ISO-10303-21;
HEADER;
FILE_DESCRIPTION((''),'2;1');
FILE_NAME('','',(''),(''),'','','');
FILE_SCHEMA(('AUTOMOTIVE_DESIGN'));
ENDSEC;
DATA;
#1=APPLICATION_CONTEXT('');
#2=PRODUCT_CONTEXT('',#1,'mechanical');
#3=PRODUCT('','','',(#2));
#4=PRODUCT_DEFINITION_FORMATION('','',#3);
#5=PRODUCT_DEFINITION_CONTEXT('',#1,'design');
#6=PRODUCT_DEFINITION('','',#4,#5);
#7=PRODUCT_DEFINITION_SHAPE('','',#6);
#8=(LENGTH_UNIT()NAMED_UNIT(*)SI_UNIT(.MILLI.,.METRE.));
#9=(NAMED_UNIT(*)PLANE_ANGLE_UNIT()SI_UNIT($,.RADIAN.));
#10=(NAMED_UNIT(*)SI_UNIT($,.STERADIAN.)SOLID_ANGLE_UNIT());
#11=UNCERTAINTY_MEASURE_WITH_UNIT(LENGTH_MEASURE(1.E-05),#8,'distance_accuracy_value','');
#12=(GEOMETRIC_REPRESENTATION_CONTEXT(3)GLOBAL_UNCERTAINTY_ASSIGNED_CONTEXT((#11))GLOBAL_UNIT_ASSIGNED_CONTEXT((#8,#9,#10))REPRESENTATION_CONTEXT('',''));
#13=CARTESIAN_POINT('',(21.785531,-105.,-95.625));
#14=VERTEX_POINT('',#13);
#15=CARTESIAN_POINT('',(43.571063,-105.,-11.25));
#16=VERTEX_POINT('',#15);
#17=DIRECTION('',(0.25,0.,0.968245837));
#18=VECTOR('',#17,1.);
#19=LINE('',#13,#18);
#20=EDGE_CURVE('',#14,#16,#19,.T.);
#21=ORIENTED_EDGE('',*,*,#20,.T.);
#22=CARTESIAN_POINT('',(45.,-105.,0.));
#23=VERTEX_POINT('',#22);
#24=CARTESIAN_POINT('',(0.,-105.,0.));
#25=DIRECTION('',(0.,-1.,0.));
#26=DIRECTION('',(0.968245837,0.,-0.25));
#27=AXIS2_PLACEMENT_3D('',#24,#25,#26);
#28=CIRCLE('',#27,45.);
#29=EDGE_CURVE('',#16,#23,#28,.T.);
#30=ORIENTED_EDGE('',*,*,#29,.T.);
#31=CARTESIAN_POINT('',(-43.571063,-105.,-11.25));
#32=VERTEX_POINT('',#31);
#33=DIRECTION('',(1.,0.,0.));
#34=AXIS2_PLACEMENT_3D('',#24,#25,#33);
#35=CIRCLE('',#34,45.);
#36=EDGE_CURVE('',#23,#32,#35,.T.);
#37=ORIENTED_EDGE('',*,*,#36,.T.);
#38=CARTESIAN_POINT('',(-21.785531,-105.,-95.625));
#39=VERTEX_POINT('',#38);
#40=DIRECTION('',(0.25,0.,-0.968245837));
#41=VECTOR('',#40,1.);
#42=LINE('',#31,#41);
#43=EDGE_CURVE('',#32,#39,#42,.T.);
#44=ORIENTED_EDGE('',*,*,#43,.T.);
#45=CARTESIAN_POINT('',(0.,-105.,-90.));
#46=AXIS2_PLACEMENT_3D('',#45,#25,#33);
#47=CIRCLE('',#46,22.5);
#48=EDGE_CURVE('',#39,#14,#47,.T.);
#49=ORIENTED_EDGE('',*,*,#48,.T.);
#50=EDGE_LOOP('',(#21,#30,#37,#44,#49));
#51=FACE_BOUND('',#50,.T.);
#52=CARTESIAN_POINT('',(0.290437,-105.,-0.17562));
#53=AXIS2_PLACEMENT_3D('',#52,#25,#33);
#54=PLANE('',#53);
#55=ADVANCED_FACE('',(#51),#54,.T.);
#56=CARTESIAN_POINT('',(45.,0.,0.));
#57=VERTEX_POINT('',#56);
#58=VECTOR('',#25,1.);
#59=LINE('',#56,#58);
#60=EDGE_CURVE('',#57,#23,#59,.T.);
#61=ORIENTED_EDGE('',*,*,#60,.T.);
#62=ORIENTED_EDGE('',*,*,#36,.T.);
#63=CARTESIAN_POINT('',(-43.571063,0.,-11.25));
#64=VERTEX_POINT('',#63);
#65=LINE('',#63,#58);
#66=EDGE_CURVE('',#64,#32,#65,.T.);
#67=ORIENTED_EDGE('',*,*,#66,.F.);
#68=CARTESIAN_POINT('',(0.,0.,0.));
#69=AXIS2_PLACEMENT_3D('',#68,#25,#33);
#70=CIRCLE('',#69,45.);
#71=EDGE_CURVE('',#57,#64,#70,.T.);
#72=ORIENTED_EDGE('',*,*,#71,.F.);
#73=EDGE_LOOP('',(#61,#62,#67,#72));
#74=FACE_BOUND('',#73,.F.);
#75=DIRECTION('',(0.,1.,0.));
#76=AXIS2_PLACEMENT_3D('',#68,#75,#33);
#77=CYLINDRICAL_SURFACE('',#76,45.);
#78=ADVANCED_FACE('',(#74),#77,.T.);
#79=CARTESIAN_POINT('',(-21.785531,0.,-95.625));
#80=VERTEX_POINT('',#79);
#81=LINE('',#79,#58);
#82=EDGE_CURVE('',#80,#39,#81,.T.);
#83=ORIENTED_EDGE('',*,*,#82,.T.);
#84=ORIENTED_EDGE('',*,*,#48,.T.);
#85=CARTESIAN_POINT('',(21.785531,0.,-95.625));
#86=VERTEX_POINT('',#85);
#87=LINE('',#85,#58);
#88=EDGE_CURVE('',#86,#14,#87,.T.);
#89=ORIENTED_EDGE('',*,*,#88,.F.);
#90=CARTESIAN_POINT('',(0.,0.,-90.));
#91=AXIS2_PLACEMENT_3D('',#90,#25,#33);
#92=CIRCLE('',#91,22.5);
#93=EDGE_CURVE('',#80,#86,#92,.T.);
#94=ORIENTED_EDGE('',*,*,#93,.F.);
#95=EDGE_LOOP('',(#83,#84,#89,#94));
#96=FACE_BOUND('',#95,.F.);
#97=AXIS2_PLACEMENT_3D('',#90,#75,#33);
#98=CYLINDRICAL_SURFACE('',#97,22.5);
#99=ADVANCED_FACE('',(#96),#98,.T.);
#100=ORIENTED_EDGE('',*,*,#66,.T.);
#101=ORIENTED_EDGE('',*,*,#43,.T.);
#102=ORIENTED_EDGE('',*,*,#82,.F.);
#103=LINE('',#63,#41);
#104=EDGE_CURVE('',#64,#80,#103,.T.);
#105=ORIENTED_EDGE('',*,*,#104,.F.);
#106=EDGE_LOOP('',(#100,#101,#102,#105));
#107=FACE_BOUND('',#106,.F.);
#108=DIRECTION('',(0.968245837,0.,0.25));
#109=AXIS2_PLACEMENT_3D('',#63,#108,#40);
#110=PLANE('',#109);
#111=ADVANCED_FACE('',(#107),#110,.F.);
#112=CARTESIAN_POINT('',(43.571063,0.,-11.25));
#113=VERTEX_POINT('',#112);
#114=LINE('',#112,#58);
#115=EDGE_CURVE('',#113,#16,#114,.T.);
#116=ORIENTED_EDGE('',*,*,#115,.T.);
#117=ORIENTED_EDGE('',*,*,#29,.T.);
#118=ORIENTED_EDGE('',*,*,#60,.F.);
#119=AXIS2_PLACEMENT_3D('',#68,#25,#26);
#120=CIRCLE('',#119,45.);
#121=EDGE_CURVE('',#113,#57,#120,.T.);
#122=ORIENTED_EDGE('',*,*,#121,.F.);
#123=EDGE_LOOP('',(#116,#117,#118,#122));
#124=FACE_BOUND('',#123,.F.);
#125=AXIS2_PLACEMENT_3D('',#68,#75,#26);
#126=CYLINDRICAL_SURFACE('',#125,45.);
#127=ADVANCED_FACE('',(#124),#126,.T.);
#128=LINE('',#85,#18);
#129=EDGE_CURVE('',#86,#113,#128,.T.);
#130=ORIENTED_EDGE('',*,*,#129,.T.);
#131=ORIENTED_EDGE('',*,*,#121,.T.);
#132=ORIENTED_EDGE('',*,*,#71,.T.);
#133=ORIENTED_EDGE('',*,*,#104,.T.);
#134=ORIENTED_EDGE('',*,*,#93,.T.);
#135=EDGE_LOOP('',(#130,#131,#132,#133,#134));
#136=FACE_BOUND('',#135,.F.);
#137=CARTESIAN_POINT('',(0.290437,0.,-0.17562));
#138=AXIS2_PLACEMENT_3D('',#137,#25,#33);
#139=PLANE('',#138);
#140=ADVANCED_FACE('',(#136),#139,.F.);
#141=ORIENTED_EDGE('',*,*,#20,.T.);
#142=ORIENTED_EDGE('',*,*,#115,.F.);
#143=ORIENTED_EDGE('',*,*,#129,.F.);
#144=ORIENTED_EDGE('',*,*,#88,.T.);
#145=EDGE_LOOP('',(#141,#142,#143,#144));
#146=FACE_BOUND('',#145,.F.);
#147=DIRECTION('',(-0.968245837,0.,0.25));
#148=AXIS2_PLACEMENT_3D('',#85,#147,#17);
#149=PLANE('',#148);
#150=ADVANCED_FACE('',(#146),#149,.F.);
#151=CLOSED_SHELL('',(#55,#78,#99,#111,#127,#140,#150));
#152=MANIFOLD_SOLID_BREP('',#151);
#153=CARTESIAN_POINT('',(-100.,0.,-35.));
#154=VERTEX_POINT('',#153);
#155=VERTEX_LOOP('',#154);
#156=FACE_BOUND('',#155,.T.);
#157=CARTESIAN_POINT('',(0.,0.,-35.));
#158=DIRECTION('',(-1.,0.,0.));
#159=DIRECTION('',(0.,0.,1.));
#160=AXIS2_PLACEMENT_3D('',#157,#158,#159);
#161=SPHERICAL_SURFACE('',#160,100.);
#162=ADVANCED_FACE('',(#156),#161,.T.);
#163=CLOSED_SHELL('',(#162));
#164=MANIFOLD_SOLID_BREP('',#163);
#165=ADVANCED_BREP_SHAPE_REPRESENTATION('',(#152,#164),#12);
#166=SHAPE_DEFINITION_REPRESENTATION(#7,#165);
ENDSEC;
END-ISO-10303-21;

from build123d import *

# Parameters (mm, degrees)
F2_DEPTH = 105


with BuildPart() as f1:
    # F0 (on Front) → F1 (revolve)
    with BuildSketch(Plane.XZ):
        with BuildLine():
            ThreePointArc((-43.5710626448, -11.25), (-5.6701931617, 44.641336332), (45, 0))
            ThreePointArc((45, 0), (44.641336332, -5.6701931617), (43.5710626448, -11.25))
            Line((43.5710626448, -11.25), (37.4388390133, -35))
            Line((37.4388390133, -35), (100, -35))
            ThreePointArc((100, -35), (0, 65), (-100, -35))
            Line((-100, -35), (-37.4388390133, -35))
            Line((-37.4388390133, -35), (-43.5710626448, -11.25))
        make_face()
        with BuildLine():
            ThreePointArc((43.5710626448, -11.25), (44.641336332, -5.6701931617), (45, 0))
            ThreePointArc((45, 0), (-5.6701931617, 44.641336332), (-43.5710626448, -11.25))
            ThreePointArc((-43.5710626448, -11.25), (-37.8393033392, -24.3554331271), (-28.2842712475, -35))
            Line((-28.2842712475, -35), (28.2842712475, -35))
            ThreePointArc((28.2842712475, -35), (37.8393033392, -24.3554331271), (43.5710626448, -11.25))
        make_face()
        with BuildLine():
            ThreePointArc((-28.2842712475, -35), (-37.8393033392, -24.3554331271), (-43.5710626448, -11.25))
            Line((-43.5710626448, -11.25), (-37.4388390133, -35))
            Line((-37.4388390133, -35), (-28.2842712475, -35))
        make_face()
        with BuildLine():
            Line((37.4388390133, -35), (43.5710626448, -11.25))
            ThreePointArc((43.5710626448, -11.25), (37.8393033392, -24.3554331271), (28.2842712475, -35))
            Line((28.2842712475, -35), (37.4388390133, -35))
        make_face()
    revolve(axis=Axis((0, 0, -35), (-1, 0, 0)))


with BuildPart() as f2:
    # F0 (on Front) → F2 (new body)
    with BuildSketch(Plane.XZ):
        with BuildLine():
            ThreePointArc((43.5710626448, -11.25), (44.641336332, -5.6701931617), (45, 0))
            ThreePointArc((45, 0), (-5.6701931617, 44.641336332), (-43.5710626448, -11.25))
            ThreePointArc((-43.5710626448, -11.25), (-37.8393033392, -24.3554331271), (-28.2842712475, -35))
            Line((-28.2842712475, -35), (28.2842712475, -35))
            ThreePointArc((28.2842712475, -35), (37.8393033392, -24.3554331271), (43.5710626448, -11.25))
        make_face()
        with BuildLine():
            ThreePointArc((-28.2842712475, -35), (-37.8393033392, -24.3554331271), (-43.5710626448, -11.25))
            Line((-43.5710626448, -11.25), (-37.4388390133, -35))
            Line((-37.4388390133, -35), (-28.2842712475, -35))
        make_face()
        with BuildLine():
            ThreePointArc((28.2842712475, -35), (0, -45), (-28.2842712475, -35))
            Line((-28.2842712475, -35), (-37.4388390133, -35))
            Line((-37.4388390133, -35), (-21.7855313224, -95.625))
            ThreePointArc((-21.7855313224, -95.625), (-2.8350965809, -67.679331834), (22.5, -90))
            ThreePointArc((22.5, -90), (22.320668166, -92.8350965809), (21.7855313224, -95.625))
            Line((21.7855313224, -95.625), (37.4388390133, -35))
            Line((37.4388390133, -35), (28.2842712475, -35))
        make_face()
        with BuildLine():
            Line((28.2842712475, -35), (-28.2842712475, -35))
            ThreePointArc((-28.2842712475, -35), (0, -45), (28.2842712475, -35))
        make_face()
        with BuildLine():
            Line((37.4388390133, -35), (43.5710626448, -11.25))
            ThreePointArc((43.5710626448, -11.25), (37.8393033392, -24.3554331271), (28.2842712475, -35))
            Line((28.2842712475, -35), (37.4388390133, -35))
        make_face()
        with BuildLine():
            ThreePointArc((22.5, -90), (-2.8350965809, -67.679331834), (-21.7855313224, -95.625))
            ThreePointArc((-21.7855313224, -95.625), (0, -112.5), (21.7855313224, -95.625))
            ThreePointArc((21.7855313224, -95.625), (22.320668166, -92.8350965809), (22.5, -90))
        make_face()
    extrude(amount=F2_DEPTH)


solid = Compound([f1.part, f2.part])
